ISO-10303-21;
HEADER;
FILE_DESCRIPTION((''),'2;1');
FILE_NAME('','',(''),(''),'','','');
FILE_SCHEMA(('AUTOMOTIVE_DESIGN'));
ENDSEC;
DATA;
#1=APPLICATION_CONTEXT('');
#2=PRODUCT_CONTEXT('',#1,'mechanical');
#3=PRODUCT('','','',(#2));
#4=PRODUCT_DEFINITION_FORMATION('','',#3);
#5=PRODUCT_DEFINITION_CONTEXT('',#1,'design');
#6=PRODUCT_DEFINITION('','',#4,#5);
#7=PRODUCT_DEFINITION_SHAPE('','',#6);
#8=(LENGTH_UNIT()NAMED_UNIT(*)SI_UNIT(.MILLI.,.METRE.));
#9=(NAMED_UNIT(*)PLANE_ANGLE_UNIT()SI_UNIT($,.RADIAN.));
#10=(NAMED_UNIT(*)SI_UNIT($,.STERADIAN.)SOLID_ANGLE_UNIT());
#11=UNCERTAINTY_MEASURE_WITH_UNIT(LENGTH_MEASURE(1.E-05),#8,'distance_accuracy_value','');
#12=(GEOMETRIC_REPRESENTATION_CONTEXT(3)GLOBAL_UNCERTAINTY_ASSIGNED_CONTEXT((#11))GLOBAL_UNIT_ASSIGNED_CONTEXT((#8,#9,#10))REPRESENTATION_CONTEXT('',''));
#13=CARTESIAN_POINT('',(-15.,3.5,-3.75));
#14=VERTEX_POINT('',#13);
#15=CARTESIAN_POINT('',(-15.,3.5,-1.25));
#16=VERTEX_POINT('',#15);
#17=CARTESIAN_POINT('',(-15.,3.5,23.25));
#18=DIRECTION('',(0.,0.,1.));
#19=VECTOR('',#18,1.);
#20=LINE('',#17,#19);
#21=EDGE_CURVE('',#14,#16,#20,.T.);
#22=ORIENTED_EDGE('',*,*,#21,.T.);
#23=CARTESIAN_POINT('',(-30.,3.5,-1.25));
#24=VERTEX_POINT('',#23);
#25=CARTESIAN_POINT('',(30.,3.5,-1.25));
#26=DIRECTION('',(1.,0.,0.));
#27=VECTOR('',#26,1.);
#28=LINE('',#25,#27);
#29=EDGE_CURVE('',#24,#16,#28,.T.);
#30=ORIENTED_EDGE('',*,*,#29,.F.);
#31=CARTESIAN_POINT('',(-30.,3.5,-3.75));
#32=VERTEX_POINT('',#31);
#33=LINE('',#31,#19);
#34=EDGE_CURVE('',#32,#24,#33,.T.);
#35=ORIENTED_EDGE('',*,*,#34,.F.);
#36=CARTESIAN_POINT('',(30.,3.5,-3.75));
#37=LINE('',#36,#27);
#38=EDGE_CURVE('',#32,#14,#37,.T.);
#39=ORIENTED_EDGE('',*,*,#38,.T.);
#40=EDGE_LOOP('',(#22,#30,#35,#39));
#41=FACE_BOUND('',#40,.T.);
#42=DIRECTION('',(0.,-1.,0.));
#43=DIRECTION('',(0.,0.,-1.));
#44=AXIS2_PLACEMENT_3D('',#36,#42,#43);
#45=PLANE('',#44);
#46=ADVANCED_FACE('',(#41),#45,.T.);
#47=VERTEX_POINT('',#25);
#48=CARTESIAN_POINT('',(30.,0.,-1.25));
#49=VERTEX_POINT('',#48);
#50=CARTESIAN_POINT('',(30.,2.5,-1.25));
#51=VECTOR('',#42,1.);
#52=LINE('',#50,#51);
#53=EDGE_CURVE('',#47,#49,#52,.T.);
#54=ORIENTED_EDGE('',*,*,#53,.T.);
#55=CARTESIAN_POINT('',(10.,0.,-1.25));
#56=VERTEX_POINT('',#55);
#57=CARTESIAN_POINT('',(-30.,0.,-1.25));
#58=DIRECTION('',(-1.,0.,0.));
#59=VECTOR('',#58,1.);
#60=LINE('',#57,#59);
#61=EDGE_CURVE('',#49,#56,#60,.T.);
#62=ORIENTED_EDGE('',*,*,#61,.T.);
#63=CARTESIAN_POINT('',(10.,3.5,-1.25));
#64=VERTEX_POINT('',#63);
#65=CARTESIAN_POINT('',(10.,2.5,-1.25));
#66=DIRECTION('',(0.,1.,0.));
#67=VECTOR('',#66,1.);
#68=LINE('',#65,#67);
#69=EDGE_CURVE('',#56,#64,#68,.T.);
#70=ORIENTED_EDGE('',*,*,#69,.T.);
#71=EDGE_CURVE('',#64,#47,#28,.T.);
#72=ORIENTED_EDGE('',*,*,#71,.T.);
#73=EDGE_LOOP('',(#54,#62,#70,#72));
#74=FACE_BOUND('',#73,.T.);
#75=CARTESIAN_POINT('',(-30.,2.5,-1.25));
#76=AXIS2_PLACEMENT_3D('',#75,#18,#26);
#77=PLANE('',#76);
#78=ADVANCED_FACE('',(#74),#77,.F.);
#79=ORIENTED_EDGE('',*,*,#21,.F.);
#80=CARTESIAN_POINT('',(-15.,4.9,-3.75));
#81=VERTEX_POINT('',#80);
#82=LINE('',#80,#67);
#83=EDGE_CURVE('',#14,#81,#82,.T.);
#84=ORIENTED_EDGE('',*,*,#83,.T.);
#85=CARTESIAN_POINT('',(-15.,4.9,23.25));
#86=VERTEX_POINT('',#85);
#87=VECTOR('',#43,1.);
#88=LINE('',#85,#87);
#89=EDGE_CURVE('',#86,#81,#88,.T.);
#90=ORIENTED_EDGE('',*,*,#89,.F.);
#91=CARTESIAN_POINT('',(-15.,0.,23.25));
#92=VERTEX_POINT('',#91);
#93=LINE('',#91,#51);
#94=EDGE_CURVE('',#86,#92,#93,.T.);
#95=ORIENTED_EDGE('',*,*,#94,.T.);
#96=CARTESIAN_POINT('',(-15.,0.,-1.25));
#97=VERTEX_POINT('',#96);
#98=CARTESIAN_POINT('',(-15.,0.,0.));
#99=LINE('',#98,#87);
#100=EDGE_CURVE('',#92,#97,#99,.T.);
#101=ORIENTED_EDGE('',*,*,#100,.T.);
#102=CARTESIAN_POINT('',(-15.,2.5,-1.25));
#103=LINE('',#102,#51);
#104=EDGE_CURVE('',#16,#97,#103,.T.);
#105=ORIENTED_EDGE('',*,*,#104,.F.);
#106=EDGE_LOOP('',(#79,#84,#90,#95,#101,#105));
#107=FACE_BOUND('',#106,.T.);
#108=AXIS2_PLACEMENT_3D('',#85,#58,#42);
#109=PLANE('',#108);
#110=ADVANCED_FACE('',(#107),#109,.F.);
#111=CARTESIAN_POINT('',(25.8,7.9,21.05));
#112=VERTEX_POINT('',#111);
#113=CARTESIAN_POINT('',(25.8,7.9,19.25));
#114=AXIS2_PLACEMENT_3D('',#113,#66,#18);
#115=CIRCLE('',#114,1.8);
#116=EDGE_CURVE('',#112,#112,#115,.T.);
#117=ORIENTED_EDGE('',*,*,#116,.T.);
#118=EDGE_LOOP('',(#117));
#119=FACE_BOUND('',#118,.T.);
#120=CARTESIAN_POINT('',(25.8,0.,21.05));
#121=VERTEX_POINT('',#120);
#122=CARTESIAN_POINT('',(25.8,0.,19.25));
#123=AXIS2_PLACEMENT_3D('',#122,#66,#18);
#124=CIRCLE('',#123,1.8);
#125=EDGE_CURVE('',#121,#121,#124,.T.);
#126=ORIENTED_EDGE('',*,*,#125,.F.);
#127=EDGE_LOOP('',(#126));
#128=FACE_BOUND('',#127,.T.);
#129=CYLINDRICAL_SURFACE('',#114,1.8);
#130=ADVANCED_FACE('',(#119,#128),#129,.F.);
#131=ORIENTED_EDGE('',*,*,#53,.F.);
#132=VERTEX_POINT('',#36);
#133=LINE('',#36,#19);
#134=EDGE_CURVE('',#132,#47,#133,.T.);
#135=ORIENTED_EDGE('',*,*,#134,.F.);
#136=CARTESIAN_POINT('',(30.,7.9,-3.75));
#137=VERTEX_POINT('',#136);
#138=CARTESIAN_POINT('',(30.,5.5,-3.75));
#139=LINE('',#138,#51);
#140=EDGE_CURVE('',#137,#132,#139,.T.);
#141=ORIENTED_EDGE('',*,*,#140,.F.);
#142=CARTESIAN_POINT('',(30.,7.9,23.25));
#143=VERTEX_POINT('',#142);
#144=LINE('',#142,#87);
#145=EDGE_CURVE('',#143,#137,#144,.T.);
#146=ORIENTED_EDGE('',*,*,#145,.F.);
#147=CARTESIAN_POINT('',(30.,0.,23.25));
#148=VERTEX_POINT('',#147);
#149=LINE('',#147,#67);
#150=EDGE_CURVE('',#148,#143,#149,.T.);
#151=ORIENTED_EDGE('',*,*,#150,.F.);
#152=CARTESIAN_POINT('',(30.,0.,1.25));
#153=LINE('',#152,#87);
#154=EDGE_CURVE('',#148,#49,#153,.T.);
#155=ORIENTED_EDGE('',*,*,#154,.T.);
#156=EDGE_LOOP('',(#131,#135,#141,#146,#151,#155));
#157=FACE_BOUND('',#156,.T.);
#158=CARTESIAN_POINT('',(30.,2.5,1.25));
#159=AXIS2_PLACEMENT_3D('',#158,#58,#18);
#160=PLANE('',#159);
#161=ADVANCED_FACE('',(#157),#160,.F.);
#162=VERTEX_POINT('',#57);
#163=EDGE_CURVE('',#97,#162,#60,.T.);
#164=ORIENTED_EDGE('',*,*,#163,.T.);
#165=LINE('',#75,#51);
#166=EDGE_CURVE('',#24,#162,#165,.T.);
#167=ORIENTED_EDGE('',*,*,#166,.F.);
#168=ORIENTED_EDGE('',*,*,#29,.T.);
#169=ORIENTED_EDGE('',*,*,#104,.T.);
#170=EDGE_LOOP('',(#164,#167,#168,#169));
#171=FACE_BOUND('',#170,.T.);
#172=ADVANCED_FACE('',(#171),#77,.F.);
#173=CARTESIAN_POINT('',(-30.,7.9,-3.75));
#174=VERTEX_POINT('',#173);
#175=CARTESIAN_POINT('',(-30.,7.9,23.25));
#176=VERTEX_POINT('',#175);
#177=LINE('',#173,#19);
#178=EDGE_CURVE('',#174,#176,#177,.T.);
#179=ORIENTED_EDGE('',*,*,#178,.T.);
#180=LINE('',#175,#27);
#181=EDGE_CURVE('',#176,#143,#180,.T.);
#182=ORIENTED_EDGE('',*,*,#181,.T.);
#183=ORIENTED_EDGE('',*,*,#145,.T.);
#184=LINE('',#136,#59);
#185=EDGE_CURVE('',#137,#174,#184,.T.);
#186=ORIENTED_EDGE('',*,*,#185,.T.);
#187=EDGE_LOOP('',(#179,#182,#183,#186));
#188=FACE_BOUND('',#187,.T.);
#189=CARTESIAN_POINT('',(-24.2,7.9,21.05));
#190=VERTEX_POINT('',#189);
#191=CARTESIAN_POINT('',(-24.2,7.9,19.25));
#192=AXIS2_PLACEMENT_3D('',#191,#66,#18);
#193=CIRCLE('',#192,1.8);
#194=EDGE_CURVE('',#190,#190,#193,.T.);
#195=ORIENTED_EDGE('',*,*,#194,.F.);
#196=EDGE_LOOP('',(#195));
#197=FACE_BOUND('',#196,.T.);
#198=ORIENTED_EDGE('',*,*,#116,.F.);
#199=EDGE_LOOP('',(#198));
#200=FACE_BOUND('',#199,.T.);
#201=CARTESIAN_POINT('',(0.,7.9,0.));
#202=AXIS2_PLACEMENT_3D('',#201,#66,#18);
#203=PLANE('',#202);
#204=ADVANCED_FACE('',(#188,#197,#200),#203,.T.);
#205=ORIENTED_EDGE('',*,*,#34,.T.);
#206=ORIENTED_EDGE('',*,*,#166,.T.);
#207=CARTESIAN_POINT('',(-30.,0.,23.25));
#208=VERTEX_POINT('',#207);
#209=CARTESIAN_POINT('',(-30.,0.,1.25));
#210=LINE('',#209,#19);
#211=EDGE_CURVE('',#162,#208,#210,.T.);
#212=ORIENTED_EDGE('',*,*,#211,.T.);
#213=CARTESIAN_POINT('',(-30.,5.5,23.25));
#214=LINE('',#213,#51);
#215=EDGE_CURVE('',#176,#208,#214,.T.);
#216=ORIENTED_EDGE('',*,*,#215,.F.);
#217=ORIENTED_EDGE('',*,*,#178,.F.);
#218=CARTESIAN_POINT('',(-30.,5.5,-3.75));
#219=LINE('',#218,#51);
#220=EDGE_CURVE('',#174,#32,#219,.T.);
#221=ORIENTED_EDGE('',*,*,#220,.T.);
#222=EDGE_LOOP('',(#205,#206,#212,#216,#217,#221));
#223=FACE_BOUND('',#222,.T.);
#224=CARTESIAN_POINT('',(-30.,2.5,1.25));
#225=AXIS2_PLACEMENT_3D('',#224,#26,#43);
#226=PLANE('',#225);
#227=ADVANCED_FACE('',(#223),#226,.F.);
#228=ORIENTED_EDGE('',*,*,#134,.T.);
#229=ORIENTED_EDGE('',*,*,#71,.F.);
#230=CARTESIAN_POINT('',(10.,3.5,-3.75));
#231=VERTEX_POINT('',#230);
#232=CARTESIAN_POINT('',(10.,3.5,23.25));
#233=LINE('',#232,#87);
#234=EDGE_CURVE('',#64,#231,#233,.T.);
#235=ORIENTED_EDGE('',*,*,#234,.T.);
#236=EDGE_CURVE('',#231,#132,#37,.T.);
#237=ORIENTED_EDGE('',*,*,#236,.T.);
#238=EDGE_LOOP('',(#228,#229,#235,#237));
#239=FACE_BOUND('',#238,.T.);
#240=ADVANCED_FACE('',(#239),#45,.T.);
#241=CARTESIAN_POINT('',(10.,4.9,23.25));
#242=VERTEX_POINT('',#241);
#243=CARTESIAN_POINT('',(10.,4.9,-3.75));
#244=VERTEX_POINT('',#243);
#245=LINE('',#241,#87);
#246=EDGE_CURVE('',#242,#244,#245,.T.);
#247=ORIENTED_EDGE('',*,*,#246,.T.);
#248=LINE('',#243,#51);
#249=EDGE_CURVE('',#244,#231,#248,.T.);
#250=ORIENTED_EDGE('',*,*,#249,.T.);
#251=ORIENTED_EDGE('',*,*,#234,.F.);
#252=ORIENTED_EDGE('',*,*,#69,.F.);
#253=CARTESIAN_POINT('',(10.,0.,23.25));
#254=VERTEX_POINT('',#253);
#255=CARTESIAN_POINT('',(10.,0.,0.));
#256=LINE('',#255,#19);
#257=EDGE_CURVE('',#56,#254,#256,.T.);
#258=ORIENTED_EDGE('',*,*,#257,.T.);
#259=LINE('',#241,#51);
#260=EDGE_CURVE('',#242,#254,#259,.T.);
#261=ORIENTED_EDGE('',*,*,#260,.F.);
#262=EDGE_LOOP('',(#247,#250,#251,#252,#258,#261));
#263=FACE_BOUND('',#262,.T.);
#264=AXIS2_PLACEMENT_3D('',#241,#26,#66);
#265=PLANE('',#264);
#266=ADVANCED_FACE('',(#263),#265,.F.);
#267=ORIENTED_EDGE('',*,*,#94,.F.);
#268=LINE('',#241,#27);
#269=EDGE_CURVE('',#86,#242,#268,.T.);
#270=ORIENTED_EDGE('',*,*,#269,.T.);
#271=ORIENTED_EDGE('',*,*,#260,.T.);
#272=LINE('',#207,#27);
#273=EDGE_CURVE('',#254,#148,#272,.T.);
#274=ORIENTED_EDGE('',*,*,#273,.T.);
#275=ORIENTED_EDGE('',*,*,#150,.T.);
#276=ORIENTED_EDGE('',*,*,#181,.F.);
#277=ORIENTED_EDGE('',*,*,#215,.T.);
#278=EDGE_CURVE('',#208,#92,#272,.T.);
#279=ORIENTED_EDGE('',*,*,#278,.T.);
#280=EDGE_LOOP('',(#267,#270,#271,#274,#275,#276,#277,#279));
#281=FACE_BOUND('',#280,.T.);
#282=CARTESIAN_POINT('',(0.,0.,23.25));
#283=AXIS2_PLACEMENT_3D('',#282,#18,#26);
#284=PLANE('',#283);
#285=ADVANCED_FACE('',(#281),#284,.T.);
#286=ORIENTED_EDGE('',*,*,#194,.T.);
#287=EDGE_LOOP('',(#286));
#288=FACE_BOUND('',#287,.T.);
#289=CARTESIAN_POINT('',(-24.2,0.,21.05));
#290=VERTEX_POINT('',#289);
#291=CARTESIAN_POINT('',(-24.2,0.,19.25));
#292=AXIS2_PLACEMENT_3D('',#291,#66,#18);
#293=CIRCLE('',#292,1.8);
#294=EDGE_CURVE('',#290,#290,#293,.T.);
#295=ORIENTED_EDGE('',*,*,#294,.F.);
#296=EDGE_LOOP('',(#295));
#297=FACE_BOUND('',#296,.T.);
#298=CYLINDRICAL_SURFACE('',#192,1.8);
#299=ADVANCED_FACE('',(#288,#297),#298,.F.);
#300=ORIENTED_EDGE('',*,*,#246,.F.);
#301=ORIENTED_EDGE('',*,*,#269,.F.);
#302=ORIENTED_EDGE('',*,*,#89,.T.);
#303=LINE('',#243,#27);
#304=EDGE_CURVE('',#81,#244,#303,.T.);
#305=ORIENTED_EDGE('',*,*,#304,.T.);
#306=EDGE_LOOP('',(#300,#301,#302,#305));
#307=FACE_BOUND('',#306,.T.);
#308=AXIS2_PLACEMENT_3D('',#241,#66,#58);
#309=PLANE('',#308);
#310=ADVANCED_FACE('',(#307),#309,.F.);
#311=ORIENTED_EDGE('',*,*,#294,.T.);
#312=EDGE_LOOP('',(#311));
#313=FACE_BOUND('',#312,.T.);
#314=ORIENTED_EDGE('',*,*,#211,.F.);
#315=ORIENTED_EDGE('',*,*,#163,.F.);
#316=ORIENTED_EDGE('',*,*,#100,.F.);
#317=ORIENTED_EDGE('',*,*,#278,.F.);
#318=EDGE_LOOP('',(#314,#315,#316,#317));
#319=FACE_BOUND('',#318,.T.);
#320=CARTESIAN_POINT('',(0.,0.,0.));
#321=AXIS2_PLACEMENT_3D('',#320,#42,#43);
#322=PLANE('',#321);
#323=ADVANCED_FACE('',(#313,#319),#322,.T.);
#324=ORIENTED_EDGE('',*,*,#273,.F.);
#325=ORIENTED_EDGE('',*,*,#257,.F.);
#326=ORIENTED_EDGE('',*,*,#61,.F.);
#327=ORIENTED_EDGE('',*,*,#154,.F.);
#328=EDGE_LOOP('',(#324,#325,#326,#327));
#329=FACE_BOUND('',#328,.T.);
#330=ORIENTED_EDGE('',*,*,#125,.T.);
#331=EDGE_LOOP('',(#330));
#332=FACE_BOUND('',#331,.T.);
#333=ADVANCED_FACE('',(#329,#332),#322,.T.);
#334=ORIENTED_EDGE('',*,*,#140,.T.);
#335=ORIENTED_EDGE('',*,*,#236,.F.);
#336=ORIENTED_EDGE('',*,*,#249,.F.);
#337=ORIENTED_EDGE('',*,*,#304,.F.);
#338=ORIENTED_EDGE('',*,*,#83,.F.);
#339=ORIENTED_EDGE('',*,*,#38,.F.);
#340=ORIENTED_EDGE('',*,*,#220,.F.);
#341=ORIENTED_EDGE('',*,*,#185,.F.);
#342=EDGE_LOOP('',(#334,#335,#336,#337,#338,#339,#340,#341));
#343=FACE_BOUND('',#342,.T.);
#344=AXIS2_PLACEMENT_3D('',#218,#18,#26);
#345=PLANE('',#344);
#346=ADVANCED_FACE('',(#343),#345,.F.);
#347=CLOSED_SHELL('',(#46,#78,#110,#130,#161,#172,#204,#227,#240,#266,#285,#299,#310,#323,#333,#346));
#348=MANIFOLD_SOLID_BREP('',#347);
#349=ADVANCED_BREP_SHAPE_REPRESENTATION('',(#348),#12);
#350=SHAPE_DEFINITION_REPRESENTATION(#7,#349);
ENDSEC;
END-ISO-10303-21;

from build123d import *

# Parameters (mm, degrees)
SKETCH1_W                  = 60
SKETCH1_H                  = 2.5
BOSS_EXTRUDE1_DEPTH        = 2.5
SKETCH2_W                  = 60
SKETCH2_H                  = 5
BOSS_EXTRUDE2_DEPTH        = 3
SKETCH5_W                  = 60
SKETCH5_H                  = 5.5
BOSS_EXTRUDE4_DEPTH        = 22
SKETCH6_W                  = 60
SKETCH6_H                  = 27
BOSS_EXTRUDE5_DEPTH        = 2.4
F_3_6_3_6_DIAMETER_HOLE1_D = 3.6
SKETCH9_W                  = 25
SKETCH9_H                  = 9.609635329
CUT_EXTRUDE1_DEPTH         = 42.126755282
SKETCH10_W                 = 60
SKETCH10_H                 = 3.5
CUT_EXTRUDE2_DEPTH         = 40.530494558


with BuildPart() as part:
    # Sketch1 → Boss-Extrude1 (new body)
    with BuildSketch(Plane(origin=(0, 0, 0), x_dir=(1, 0, 0), z_dir=(0, 1, 0))):
        Rectangle(SKETCH1_W, SKETCH1_H)
    extrude(amount=BOSS_EXTRUDE1_DEPTH)

    # Sketch2 → Boss-Extrude2 (add)
    with BuildSketch(Plane(origin=(0, 2.5, 0), x_dir=(1, 0, 0), z_dir=(0, 1, 0))):
        with Locations((0, 1.25)):
            Rectangle(SKETCH2_W, SKETCH2_H)
    extrude(amount=BOSS_EXTRUDE2_DEPTH)

    # Sketch5 → Boss-Extrude4 (add)
    with BuildSketch(Plane.XY.offset(1.25)):
        with Locations((0, 2.75)):
            Rectangle(SKETCH5_W, SKETCH5_H)
    extrude(amount=BOSS_EXTRUDE4_DEPTH)

    # Sketch6 → Boss-Extrude5 (add)
    with BuildSketch(Plane(origin=(0, 5.5, 0), x_dir=(1, 0, 0), z_dir=(0, 1, 0))):
        with Locations((0, -9.75)):
            Rectangle(SKETCH6_W, SKETCH6_H)
    extrude(amount=BOSS_EXTRUDE5_DEPTH)

    # Ø3.6 (3.6) Diameter Hole1 (through all)
    with Locations(Plane(origin=(0, 7.9, 0), x_dir=(1, 0, 0), z_dir=(0, 1, 0))):
        with Locations((-24.2, -19.25), (25.8, -19.25)):
            Hole(F_3_6_3_6_DIAMETER_HOLE1_D / 2)

    # Sketch9 → Cut-Extrude1 (cut, through all)
    with BuildSketch(Plane(origin=(0, 0, -3.75), x_dir=(-1, 0, 0), z_dir=(0, 0, -1))):
        with Locations((2.5, 0.095182336)):
            Rectangle(SKETCH9_W, SKETCH9_H)
    extrude(amount=-CUT_EXTRUDE1_DEPTH, mode=Mode.SUBTRACT)

    # Sketch10 → Cut-Extrude2 (cut, through all)
    with BuildSketch(Plane(origin=(0, 0, -1.25), x_dir=(-1, 0, 0), z_dir=(0, 0, -1))):
        with Locations((0, 1.75)):
            Rectangle(SKETCH10_W, SKETCH10_H)
    extrude(amount=CUT_EXTRUDE2_DEPTH, mode=Mode.SUBTRACT)


solid = part.part
